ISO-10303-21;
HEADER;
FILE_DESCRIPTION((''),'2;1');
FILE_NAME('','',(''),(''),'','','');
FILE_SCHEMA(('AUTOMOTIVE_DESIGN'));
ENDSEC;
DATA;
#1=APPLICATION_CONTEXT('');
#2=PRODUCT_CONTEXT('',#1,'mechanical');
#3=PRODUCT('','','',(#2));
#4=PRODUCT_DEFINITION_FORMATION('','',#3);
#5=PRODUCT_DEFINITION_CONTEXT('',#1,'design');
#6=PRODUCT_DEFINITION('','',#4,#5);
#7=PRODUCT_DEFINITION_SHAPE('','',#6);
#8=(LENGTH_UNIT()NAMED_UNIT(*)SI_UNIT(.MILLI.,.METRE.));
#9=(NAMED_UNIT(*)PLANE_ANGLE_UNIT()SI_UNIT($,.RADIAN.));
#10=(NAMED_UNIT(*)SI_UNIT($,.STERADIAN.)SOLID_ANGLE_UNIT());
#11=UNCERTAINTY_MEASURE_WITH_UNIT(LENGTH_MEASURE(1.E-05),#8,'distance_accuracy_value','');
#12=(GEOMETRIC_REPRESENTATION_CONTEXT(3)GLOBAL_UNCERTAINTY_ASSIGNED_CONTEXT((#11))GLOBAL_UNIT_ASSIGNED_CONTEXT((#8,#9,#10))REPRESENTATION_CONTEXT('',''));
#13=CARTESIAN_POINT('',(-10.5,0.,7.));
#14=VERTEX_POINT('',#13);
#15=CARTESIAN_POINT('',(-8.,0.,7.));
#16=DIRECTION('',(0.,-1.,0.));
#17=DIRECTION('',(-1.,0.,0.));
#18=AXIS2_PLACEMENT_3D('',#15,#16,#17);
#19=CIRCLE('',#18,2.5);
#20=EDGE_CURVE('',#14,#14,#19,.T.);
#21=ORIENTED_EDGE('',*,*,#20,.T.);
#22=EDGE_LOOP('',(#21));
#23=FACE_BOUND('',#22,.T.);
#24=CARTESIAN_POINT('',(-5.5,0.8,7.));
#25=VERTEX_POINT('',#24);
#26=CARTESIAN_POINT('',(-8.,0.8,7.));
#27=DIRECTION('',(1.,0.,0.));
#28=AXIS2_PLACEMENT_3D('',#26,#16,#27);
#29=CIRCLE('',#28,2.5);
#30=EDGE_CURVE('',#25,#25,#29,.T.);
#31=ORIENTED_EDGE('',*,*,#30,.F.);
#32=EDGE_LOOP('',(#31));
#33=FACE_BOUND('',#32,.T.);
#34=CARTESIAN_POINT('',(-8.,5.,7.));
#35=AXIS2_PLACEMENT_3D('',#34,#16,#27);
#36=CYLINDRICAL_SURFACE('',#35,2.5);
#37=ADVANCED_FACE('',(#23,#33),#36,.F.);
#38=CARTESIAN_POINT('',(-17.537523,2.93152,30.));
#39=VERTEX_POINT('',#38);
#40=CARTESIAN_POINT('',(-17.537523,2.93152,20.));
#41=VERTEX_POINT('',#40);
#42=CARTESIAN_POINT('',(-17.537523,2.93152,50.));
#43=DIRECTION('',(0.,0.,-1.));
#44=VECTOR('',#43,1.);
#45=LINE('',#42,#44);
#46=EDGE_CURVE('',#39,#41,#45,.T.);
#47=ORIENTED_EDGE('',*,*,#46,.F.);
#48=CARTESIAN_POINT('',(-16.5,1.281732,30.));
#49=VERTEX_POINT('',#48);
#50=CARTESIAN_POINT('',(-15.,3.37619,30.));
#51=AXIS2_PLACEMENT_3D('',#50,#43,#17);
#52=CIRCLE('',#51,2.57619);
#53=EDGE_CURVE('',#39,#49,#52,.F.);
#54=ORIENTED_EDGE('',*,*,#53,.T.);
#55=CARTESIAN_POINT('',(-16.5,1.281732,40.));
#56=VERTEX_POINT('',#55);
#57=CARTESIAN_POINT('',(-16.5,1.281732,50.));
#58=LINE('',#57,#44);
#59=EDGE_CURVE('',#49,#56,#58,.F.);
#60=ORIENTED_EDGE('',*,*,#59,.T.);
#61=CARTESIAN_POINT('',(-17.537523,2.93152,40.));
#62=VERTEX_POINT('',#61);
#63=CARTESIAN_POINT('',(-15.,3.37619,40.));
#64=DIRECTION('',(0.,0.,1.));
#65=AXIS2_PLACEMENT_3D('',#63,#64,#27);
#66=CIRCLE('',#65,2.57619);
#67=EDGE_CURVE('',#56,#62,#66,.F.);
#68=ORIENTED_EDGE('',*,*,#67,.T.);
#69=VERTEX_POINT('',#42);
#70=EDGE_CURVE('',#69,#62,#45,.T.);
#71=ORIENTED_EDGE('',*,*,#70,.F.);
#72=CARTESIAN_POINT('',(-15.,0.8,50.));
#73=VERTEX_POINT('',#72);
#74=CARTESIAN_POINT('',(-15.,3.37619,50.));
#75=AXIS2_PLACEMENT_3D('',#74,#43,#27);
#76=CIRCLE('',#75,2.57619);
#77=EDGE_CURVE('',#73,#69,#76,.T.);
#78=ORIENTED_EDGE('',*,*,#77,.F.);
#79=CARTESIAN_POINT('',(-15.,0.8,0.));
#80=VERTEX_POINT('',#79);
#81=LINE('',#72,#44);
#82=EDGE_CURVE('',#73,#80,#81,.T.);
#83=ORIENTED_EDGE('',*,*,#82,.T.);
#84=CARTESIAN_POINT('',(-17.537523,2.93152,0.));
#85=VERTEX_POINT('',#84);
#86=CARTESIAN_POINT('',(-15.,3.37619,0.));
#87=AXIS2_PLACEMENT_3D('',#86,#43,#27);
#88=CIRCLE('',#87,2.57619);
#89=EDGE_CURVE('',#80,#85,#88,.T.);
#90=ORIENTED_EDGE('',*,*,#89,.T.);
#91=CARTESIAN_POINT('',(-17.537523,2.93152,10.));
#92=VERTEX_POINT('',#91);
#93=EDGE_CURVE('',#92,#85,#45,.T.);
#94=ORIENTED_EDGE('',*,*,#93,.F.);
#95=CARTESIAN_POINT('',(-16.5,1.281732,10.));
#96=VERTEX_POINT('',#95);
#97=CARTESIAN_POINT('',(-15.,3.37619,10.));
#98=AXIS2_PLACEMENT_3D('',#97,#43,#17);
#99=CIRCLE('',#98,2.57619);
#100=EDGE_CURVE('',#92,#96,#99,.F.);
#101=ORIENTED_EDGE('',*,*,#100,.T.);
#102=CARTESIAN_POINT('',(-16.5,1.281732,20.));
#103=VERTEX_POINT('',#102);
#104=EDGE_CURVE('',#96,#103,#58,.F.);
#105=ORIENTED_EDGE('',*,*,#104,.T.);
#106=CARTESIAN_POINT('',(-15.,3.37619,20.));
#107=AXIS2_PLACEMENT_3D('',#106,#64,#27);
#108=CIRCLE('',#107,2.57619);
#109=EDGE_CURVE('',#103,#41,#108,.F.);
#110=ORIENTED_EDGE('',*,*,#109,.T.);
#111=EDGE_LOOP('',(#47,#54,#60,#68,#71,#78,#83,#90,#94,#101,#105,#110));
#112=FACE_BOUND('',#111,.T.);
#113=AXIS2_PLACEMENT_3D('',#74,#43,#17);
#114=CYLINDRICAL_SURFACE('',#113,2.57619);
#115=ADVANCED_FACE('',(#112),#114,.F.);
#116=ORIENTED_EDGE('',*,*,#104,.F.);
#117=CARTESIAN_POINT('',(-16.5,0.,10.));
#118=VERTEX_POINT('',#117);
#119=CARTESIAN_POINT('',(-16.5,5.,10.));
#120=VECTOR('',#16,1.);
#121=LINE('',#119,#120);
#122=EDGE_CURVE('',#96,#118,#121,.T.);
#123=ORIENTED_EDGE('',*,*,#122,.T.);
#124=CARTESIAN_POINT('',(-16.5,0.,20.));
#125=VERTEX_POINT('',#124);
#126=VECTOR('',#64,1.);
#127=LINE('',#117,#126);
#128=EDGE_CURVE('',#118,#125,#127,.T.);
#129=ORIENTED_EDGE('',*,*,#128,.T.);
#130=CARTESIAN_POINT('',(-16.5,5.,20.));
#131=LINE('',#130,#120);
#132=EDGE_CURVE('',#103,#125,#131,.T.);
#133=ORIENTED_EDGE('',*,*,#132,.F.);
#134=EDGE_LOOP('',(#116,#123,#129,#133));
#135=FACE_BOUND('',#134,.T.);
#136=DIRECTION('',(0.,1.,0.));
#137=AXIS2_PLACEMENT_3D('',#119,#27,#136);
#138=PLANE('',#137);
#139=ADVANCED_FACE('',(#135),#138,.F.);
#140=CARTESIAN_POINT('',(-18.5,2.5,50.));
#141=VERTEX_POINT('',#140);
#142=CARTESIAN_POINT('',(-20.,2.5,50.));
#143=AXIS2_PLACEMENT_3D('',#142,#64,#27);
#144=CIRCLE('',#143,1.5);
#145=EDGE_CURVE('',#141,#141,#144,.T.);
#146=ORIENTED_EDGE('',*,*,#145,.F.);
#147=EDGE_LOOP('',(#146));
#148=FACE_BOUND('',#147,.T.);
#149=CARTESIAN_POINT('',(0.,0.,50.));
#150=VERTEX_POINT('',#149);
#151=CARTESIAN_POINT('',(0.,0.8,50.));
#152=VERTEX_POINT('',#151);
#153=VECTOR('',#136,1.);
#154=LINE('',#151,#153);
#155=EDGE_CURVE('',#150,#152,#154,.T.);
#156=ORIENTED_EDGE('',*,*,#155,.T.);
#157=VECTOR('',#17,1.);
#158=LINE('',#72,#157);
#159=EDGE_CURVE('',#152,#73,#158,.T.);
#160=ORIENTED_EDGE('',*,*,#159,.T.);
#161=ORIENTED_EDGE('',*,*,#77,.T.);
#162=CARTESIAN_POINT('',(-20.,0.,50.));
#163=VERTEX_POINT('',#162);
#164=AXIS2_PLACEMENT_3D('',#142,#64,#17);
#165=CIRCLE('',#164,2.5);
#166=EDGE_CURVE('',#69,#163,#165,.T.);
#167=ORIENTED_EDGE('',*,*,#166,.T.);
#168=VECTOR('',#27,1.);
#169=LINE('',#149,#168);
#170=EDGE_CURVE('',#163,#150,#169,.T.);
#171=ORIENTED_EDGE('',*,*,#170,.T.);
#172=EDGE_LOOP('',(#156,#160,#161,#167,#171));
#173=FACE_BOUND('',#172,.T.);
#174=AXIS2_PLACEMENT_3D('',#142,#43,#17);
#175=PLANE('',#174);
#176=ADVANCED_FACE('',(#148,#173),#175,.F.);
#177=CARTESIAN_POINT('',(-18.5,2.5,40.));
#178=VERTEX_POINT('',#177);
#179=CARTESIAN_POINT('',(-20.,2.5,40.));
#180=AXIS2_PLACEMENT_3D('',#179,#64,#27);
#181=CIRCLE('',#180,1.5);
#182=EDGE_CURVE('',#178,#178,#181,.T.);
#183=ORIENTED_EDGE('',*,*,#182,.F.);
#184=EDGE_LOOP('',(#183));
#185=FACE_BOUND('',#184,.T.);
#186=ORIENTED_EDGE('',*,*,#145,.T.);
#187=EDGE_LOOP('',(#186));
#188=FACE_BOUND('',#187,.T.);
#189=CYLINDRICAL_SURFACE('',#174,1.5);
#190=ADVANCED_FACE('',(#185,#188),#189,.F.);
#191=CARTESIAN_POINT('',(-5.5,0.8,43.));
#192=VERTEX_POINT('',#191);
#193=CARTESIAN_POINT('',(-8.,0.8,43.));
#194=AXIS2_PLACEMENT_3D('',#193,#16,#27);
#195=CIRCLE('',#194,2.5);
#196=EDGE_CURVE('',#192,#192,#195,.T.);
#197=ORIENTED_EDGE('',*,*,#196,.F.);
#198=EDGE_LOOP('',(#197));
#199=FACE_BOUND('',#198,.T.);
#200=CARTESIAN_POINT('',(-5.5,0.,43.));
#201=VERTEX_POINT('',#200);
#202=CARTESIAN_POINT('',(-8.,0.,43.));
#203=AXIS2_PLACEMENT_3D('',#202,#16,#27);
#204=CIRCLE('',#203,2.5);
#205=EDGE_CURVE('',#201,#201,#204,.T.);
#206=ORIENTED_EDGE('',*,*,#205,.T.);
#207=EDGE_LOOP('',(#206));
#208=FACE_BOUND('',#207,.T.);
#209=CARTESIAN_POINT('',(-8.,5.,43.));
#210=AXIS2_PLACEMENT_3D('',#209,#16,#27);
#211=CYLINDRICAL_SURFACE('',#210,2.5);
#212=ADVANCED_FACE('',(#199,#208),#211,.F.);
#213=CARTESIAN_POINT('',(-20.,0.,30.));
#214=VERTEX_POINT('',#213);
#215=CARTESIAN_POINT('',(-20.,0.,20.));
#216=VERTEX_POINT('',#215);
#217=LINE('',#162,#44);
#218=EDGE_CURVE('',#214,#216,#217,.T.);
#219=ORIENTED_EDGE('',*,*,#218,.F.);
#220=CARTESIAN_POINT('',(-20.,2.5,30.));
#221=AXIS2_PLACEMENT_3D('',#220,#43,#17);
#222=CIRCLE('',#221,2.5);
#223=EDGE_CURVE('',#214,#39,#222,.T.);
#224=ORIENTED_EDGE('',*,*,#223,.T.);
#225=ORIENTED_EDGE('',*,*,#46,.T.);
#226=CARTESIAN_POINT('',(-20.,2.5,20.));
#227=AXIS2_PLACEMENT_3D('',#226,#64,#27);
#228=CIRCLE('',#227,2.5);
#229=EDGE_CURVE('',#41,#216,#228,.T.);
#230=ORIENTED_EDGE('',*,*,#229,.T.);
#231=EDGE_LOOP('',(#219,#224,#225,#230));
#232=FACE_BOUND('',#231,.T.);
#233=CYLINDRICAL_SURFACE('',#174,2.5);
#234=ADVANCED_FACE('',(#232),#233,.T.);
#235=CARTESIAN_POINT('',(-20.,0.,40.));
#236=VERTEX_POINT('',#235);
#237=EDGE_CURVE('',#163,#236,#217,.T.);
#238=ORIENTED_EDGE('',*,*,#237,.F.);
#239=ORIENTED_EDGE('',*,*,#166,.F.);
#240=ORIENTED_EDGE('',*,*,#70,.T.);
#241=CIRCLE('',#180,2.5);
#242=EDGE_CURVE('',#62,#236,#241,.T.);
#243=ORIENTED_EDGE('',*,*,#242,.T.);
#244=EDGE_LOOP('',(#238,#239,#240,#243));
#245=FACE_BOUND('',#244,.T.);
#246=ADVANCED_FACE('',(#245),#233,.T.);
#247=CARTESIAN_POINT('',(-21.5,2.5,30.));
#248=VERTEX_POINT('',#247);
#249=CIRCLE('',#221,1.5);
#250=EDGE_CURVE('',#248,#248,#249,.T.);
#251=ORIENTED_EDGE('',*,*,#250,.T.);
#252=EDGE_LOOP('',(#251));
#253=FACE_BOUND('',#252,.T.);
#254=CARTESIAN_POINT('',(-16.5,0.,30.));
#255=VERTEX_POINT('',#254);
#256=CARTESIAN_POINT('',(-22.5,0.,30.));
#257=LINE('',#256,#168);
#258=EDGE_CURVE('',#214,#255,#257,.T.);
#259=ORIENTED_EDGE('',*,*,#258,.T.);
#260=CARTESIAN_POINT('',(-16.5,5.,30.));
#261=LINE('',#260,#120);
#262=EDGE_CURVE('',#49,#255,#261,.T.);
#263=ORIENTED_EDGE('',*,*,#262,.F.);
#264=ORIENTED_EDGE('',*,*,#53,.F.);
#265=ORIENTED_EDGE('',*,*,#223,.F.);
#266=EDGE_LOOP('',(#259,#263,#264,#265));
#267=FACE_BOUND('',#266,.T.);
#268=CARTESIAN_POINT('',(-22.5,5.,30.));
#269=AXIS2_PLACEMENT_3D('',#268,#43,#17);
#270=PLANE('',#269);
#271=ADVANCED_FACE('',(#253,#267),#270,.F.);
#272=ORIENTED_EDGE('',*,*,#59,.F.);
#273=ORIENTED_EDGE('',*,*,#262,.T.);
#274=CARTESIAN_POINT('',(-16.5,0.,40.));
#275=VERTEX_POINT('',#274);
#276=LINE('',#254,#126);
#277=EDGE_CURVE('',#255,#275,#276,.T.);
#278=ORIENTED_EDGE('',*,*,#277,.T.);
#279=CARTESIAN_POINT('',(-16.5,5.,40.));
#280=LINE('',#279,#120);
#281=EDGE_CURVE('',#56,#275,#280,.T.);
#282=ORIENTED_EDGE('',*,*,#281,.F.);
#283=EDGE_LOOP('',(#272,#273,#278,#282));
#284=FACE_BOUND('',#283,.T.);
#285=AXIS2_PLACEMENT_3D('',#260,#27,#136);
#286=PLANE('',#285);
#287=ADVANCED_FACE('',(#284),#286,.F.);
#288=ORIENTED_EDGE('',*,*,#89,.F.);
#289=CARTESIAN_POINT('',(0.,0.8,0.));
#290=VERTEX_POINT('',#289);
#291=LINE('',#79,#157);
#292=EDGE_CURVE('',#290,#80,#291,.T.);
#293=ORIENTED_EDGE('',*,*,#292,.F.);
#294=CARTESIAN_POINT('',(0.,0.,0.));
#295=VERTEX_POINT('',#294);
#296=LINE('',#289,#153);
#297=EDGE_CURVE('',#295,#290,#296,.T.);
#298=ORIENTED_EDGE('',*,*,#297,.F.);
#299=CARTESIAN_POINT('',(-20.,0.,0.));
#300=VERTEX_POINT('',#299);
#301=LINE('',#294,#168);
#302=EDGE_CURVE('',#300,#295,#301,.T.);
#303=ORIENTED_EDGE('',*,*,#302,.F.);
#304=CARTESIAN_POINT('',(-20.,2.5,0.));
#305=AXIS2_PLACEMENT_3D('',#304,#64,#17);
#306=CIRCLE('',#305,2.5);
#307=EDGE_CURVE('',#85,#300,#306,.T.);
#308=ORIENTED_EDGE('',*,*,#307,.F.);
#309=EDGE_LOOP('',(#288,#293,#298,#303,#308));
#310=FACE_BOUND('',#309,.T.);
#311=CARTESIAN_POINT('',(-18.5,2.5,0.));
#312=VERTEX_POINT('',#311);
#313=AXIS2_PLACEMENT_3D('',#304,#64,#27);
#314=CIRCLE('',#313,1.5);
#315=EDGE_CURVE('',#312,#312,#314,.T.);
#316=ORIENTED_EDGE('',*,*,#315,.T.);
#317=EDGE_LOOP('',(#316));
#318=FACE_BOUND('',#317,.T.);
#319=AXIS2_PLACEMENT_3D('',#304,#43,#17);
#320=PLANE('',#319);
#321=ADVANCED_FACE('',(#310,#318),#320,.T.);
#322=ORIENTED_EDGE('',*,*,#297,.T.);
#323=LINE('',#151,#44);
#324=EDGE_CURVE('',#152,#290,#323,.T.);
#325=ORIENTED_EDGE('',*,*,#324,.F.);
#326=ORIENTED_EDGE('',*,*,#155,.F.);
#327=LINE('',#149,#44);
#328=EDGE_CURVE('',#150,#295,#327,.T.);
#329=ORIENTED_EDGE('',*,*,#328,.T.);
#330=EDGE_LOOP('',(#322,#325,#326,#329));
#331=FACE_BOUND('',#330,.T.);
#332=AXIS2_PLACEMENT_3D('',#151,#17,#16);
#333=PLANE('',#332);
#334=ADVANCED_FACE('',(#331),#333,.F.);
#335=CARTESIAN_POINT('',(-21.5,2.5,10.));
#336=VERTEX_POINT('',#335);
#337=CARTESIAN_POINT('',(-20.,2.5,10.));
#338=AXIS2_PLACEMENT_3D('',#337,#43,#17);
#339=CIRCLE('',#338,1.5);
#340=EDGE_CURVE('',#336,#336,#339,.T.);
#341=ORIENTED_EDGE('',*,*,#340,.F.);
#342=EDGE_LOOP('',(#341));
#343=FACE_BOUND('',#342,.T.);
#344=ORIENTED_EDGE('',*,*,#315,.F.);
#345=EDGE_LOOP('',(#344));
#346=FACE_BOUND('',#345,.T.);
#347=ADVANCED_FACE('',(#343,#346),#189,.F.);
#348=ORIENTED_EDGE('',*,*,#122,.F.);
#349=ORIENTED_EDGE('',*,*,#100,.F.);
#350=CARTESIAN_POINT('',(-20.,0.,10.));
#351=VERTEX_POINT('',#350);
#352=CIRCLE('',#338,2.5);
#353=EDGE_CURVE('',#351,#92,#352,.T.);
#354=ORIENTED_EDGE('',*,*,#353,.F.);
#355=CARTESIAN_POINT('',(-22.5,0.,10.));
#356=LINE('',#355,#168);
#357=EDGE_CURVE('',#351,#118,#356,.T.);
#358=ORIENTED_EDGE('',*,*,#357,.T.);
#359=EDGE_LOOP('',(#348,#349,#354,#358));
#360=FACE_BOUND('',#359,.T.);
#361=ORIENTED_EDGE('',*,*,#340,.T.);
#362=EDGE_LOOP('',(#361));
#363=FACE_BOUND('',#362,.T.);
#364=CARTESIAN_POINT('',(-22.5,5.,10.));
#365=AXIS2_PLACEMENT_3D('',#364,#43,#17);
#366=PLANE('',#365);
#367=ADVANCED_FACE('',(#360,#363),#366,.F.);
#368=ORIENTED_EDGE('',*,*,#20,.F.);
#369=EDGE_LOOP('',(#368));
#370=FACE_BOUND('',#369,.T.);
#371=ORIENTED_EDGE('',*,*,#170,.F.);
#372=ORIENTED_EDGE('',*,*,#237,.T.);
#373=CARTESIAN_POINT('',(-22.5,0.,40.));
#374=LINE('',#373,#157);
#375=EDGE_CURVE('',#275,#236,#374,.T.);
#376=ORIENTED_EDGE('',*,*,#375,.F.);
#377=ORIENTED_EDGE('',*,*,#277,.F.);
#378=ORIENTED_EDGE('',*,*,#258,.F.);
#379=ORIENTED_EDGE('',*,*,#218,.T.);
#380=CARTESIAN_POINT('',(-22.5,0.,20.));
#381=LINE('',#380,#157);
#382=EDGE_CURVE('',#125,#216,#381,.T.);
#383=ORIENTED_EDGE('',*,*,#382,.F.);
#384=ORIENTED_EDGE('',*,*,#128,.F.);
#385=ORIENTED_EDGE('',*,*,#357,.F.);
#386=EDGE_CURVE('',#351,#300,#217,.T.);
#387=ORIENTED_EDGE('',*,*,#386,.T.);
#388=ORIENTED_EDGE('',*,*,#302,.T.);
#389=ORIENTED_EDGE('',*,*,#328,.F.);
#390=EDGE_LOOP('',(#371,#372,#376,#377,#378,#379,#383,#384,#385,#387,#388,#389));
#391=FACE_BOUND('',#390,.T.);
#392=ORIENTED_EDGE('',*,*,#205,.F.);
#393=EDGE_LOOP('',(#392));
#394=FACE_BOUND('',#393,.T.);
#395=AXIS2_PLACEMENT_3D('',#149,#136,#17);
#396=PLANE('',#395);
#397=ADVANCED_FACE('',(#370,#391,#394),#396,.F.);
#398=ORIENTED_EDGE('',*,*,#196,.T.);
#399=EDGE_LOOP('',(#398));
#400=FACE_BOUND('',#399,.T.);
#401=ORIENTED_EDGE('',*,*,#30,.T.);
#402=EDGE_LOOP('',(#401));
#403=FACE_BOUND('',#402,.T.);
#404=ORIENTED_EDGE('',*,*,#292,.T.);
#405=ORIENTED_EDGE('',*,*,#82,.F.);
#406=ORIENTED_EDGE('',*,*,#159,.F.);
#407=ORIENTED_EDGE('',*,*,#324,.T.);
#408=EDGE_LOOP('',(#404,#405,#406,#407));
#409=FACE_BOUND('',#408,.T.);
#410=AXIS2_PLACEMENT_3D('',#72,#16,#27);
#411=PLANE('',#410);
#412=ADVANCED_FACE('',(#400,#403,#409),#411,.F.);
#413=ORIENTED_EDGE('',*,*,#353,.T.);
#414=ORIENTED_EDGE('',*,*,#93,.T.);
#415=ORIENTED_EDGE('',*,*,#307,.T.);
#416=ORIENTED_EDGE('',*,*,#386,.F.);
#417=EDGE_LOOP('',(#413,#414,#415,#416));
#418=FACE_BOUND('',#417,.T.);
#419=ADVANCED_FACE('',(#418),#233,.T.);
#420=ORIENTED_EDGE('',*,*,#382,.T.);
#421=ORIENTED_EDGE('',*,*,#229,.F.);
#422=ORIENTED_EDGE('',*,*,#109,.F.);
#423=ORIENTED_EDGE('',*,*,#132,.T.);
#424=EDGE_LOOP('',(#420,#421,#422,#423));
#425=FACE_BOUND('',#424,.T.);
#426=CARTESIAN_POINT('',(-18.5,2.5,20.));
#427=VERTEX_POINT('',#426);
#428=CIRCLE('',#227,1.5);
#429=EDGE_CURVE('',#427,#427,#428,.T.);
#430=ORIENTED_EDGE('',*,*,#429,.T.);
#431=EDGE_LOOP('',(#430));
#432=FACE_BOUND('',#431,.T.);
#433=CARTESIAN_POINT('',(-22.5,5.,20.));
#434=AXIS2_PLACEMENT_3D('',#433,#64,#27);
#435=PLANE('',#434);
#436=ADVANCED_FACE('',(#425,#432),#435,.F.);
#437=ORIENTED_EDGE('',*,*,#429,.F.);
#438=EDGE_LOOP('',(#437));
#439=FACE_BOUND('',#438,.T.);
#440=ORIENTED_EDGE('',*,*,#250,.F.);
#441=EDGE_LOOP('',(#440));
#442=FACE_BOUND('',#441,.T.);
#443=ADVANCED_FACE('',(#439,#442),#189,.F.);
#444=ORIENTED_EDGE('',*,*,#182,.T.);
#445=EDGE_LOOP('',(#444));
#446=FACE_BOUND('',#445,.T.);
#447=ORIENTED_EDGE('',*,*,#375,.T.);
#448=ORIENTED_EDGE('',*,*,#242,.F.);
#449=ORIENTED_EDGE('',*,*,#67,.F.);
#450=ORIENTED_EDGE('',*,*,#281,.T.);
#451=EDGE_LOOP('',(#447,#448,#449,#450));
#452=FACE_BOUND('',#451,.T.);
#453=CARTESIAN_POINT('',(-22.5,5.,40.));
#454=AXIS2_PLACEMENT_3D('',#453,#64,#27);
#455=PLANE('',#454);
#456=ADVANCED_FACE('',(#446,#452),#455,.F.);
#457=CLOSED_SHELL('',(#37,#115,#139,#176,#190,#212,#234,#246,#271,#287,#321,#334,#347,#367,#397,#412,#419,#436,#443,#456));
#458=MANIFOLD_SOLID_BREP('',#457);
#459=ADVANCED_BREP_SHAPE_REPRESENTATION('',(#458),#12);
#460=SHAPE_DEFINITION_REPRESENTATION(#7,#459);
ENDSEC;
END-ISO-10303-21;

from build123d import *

# Parameters (mm, degrees)
ESBO_O1_R                = 1.5
RESSALTO_EXTRUS_O1_DEPTH = 50
ESBO_O2_R                = 2.5
ESBO_O2_W                = 6
ESBO_O2_H                = 10
CORTE_EXTRUS_O1_DEPTH    = 6


with BuildPart() as part:
    # Esboço1 → Ressalto-extrusão1 (new body)
    with BuildSketch(Plane.XY):
        with BuildLine():
            Line((0, 0), (-20, 0))
            ThreePointArc((-20, 0), (-22.499911314, 2.521057642), (-19.95788621, 4.999645261))
            ThreePointArc((-19.95788621, 4.999645261), (-18.375952887, 4.400650146), (-17.537523452, 2.9315197))
            ThreePointArc((-17.537523452, 2.9315197), (-16.656985327, 1.403588896), (-15, 0.8))
            Line((-15, 0.8), (0, 0.8))
            Line((0, 0.8), (0, 0))
        make_face()
        with Locations((-20, 2.5)):
            Circle(ESBO_O1_R, mode=Mode.SUBTRACT)
    extrude(amount=RESSALTO_EXTRUS_O1_DEPTH)

    # Esboço2 → Corte-extrusão1 (cut, through all)
    with BuildSketch(Plane.XZ):
        with Locations((-8, 43)):
            Circle(ESBO_O2_R)
        with Locations((-8, 7)):
            Circle(ESBO_O2_R)
        with Locations((-19.5, 15)):
            Rectangle(ESBO_O2_W, ESBO_O2_H)
        with Locations((-19.5, 35)):
            Rectangle(ESBO_O2_W, ESBO_O2_H)
    extrude(amount=-CORTE_EXTRUS_O1_DEPTH, mode=Mode.SUBTRACT)


solid = part.part
